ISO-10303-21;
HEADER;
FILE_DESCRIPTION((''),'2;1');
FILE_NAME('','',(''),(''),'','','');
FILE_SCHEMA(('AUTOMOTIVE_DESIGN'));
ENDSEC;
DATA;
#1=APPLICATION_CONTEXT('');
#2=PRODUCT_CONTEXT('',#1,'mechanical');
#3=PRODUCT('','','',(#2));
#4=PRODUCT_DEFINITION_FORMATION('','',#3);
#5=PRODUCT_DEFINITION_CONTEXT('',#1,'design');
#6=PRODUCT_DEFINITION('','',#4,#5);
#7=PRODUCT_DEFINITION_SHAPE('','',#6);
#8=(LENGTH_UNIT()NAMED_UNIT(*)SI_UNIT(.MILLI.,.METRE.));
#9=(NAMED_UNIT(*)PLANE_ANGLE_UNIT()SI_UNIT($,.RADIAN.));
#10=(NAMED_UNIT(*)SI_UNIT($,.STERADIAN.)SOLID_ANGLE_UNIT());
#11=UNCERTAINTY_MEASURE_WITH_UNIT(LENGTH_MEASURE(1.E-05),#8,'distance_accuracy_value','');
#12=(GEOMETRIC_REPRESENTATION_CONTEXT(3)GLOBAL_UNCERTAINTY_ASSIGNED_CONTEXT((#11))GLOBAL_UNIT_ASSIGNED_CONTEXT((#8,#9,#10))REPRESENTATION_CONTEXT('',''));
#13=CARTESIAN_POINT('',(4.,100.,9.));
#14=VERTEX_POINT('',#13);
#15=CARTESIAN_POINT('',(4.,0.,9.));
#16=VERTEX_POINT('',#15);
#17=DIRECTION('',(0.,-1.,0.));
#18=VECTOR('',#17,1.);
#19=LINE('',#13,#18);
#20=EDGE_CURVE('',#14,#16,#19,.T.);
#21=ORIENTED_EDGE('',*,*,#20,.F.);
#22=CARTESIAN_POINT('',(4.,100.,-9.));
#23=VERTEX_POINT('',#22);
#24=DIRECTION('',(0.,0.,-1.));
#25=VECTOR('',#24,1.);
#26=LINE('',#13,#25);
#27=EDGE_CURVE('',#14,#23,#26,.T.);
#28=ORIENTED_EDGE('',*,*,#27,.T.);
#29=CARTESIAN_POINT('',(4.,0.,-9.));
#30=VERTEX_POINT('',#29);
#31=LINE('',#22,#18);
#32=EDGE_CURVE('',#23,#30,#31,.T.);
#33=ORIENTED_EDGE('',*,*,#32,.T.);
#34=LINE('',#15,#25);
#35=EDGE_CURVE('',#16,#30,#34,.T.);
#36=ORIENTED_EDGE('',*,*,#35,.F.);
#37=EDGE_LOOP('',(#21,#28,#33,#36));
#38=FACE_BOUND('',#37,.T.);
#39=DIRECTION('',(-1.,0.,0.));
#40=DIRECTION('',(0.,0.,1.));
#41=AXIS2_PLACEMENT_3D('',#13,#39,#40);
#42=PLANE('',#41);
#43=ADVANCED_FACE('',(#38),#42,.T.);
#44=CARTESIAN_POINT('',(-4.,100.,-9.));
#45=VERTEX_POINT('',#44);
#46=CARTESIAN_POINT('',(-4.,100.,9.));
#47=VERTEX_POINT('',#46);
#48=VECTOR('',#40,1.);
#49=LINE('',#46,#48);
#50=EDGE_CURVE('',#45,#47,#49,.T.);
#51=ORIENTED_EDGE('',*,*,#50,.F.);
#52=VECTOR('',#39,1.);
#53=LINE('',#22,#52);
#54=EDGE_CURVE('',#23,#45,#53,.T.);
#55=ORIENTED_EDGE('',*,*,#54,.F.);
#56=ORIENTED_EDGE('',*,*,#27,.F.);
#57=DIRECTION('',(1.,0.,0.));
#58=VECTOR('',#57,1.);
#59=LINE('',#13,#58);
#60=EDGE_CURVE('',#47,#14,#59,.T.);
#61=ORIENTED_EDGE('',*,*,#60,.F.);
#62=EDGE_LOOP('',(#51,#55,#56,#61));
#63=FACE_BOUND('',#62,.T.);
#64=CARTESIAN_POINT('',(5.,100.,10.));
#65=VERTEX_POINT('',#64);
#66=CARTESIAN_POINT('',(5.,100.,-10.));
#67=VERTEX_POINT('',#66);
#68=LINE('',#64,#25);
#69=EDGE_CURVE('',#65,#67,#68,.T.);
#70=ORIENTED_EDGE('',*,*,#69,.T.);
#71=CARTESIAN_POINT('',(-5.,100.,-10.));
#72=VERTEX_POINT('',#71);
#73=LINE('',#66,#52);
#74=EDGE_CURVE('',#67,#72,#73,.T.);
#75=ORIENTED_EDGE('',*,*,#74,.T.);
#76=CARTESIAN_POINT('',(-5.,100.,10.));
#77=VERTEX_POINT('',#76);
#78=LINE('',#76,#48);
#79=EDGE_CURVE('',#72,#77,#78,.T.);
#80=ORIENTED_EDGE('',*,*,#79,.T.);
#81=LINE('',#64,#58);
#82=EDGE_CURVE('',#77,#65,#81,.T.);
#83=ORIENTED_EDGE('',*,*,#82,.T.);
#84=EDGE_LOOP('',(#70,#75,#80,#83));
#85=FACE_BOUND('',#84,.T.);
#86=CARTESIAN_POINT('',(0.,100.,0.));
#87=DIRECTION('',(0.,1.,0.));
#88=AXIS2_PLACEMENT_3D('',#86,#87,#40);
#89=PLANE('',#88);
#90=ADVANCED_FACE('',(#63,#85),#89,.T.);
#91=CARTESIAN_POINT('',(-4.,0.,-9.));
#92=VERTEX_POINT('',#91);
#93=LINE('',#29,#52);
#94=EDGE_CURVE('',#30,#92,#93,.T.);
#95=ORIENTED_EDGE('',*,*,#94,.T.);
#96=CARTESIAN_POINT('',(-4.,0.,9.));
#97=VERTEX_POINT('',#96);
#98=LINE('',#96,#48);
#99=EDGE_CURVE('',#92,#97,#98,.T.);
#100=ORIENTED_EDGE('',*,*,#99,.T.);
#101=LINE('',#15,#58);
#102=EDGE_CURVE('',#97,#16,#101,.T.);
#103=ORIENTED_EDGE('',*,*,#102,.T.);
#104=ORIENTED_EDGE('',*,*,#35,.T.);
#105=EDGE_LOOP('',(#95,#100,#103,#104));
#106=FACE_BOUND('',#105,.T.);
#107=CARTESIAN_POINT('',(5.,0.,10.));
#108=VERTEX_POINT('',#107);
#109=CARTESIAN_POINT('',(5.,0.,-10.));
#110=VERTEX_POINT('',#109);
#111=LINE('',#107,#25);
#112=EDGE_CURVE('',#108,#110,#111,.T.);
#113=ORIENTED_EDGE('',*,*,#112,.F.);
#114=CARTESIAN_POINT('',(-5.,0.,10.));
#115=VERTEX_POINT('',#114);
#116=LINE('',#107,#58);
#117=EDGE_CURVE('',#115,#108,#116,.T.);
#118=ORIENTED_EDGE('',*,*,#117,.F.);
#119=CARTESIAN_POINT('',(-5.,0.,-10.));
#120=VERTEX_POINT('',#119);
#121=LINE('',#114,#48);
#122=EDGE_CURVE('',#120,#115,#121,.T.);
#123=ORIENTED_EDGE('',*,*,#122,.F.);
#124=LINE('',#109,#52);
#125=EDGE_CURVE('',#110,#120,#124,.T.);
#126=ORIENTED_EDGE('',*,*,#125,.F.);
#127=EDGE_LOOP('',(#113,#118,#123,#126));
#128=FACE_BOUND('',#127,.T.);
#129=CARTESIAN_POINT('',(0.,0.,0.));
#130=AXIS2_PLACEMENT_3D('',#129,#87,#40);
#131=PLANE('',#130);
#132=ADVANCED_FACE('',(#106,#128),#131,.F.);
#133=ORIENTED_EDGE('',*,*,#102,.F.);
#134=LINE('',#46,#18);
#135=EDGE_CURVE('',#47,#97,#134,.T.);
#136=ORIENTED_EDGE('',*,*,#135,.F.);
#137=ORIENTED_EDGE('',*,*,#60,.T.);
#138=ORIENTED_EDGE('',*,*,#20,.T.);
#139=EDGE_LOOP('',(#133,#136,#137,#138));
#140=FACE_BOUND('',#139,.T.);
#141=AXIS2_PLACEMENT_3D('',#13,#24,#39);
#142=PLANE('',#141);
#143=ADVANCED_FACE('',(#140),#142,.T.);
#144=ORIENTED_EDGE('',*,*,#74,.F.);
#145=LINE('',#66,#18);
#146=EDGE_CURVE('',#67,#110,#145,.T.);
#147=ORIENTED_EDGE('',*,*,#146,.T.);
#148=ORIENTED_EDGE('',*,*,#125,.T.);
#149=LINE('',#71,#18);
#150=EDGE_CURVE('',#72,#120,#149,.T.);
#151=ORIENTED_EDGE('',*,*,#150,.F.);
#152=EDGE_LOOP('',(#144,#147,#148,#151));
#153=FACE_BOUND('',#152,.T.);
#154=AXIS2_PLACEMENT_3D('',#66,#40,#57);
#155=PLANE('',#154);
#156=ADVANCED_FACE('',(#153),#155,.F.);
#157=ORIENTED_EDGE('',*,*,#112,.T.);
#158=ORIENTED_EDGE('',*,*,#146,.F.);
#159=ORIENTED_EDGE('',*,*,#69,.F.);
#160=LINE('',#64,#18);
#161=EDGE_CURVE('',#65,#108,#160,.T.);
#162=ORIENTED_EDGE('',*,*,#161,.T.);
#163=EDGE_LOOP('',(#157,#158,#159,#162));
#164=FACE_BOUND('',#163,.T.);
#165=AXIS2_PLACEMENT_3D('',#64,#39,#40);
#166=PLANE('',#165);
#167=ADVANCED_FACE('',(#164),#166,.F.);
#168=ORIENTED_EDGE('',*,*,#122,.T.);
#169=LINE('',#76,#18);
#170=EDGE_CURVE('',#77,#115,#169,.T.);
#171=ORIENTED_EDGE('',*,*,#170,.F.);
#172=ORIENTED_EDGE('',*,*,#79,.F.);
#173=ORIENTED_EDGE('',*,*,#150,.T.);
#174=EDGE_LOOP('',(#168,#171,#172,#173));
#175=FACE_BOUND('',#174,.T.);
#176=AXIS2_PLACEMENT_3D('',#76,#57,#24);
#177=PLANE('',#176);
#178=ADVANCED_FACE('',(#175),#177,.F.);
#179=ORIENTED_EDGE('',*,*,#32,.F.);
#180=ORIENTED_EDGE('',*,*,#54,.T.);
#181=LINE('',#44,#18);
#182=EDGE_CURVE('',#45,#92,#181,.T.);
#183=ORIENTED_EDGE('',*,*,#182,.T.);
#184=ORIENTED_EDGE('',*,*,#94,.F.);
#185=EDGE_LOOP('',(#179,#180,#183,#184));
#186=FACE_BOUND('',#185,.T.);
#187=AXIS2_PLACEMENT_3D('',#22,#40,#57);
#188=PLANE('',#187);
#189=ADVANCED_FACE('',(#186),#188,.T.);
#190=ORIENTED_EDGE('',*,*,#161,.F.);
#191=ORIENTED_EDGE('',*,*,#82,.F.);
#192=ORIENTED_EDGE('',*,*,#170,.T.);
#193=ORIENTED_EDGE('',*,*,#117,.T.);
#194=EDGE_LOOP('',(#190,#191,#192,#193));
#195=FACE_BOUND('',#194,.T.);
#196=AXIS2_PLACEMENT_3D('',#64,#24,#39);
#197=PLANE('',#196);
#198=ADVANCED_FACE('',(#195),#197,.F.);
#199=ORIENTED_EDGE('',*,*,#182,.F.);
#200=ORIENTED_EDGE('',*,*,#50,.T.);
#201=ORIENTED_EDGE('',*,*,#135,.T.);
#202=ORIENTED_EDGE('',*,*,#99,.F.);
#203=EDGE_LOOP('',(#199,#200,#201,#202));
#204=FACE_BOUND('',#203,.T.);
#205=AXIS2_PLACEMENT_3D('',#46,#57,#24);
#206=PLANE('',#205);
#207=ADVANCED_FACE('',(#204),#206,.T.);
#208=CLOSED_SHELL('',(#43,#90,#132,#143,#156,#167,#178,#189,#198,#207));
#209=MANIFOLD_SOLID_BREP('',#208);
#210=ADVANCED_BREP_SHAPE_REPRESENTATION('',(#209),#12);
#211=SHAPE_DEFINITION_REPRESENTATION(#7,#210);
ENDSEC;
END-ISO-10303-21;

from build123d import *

# Parameters (mm, degrees)
SKETCH1_W           = 10
SKETCH1_H           = 20
SKETCH1_W_2         = 8
SKETCH1_H_2         = 18
BOSS_EXTRUDE1_DEPTH = 100


with BuildPart() as part:
    # Sketch1 → Boss-Extrude1 (new body)
    with BuildSketch(Plane(origin=(0, 0, 0), x_dir=(1, 0, 0), z_dir=(0, 1, 0))):
        Rectangle(SKETCH1_W, SKETCH1_H)
        Rectangle(SKETCH1_W_2, SKETCH1_H_2, mode=Mode.SUBTRACT)
    extrude(amount=BOSS_EXTRUDE1_DEPTH)


solid = part.part
